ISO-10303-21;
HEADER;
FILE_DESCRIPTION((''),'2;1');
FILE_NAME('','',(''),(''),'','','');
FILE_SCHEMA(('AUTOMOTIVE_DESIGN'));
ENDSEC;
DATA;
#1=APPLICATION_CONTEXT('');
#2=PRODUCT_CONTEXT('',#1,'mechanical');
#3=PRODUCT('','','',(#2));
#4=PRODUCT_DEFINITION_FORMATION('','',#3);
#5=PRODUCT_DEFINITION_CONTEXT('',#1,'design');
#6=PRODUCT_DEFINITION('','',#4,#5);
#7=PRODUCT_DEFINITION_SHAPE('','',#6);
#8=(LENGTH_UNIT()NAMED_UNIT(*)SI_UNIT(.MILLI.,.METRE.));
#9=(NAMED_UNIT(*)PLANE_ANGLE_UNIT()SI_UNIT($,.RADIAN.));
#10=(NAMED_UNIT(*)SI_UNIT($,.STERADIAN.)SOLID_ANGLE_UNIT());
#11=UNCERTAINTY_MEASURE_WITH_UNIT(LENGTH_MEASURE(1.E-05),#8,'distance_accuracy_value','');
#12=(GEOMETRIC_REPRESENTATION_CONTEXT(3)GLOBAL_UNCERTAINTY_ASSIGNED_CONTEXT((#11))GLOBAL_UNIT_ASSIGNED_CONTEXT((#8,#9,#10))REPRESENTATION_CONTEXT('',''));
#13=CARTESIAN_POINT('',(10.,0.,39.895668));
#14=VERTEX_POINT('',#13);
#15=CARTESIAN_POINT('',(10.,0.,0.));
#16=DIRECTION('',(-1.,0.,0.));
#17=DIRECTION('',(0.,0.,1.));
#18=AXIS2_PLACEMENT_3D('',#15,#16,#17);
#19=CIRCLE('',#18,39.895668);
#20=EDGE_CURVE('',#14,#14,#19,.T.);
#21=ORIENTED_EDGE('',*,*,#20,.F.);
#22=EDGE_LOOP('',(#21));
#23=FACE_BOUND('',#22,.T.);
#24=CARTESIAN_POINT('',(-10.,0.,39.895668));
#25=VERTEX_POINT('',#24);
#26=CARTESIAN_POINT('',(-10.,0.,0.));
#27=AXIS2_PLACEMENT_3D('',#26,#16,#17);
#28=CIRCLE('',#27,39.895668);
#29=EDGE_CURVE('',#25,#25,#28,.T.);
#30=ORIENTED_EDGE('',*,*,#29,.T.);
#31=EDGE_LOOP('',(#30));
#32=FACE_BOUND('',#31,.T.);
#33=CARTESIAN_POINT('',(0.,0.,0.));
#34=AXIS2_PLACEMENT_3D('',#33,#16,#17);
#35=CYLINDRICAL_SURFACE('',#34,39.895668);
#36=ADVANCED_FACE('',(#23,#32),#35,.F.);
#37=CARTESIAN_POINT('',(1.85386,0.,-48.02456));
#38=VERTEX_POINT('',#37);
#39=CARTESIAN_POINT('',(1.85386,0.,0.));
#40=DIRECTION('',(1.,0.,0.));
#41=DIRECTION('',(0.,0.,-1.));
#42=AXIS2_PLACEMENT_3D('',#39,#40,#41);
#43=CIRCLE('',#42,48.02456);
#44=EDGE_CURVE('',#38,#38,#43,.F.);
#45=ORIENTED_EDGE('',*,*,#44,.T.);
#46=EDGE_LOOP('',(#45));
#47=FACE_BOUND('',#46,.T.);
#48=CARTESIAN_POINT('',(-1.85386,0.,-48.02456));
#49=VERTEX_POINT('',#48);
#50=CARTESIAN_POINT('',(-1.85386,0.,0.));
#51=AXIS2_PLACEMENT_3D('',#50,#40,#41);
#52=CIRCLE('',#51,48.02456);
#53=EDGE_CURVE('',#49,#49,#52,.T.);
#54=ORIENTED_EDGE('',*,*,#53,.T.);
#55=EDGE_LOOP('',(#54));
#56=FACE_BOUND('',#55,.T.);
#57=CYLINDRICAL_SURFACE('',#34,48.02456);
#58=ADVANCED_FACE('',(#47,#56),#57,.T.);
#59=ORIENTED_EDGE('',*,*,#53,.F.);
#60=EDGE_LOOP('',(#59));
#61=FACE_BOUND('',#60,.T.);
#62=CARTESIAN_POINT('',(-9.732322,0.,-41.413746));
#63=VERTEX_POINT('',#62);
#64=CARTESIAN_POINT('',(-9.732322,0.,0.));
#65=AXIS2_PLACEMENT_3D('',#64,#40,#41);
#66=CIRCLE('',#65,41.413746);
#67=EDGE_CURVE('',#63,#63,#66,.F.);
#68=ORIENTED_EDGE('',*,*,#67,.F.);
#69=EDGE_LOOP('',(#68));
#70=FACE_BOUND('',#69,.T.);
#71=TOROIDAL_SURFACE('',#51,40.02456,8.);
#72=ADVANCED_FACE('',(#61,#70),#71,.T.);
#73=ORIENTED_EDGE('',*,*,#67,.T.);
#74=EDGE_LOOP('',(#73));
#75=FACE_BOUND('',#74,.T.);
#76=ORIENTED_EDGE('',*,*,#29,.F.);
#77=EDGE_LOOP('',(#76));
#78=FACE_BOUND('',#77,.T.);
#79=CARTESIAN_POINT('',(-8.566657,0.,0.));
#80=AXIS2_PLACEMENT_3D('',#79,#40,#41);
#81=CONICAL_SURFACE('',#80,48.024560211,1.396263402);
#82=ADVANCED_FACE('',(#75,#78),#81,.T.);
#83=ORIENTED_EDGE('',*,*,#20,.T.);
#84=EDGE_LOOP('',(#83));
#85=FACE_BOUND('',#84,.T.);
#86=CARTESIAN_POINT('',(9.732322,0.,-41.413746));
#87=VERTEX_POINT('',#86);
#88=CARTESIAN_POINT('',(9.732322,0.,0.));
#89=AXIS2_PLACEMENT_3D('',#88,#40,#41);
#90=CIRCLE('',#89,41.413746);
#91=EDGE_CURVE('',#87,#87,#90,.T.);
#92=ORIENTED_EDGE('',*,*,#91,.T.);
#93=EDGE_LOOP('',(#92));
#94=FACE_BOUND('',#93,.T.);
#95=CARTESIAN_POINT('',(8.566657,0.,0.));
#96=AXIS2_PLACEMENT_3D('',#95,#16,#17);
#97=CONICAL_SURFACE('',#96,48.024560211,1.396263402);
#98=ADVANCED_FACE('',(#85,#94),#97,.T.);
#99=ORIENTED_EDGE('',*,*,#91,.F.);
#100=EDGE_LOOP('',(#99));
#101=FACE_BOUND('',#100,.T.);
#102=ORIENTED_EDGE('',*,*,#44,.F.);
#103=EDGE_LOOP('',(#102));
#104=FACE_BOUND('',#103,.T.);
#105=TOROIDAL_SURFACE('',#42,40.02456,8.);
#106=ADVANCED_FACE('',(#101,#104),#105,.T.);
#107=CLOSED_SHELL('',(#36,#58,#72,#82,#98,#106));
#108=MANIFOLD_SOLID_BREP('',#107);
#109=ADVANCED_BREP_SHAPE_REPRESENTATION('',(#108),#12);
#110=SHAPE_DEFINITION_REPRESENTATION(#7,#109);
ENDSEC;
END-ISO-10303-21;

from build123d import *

# Parameters (mm, degrees)
FILLET1_R = 8
FILLET2_R = 8


with BuildPart() as part:
    # Sketch1 → Revolve8 (revolve)
    with BuildSketch(Plane.XY):
        Polygon((-8.566656945, 48.024560211), (8.566656945, 48.024560211), (10, 39.895667803), (-10, 39.895667803), align=None)
    revolve(axis=Axis((0, 0, 0), (1, 0, 0)))

    # Fillet1
    fillet1_edges = [part.edges().sort_by_distance(p)[0] for p in [
        (-8.566656945, -48.024560211, 0),
    ]]
    fillet(fillet1_edges, radius=FILLET1_R)

    # Fillet2
    fillet2_edges = [part.edges().sort_by_distance(p)[0] for p in [
        (8.566656945, -48.024560211, 0),
    ]]
    fillet(fillet2_edges, radius=FILLET2_R)


solid = part.part
